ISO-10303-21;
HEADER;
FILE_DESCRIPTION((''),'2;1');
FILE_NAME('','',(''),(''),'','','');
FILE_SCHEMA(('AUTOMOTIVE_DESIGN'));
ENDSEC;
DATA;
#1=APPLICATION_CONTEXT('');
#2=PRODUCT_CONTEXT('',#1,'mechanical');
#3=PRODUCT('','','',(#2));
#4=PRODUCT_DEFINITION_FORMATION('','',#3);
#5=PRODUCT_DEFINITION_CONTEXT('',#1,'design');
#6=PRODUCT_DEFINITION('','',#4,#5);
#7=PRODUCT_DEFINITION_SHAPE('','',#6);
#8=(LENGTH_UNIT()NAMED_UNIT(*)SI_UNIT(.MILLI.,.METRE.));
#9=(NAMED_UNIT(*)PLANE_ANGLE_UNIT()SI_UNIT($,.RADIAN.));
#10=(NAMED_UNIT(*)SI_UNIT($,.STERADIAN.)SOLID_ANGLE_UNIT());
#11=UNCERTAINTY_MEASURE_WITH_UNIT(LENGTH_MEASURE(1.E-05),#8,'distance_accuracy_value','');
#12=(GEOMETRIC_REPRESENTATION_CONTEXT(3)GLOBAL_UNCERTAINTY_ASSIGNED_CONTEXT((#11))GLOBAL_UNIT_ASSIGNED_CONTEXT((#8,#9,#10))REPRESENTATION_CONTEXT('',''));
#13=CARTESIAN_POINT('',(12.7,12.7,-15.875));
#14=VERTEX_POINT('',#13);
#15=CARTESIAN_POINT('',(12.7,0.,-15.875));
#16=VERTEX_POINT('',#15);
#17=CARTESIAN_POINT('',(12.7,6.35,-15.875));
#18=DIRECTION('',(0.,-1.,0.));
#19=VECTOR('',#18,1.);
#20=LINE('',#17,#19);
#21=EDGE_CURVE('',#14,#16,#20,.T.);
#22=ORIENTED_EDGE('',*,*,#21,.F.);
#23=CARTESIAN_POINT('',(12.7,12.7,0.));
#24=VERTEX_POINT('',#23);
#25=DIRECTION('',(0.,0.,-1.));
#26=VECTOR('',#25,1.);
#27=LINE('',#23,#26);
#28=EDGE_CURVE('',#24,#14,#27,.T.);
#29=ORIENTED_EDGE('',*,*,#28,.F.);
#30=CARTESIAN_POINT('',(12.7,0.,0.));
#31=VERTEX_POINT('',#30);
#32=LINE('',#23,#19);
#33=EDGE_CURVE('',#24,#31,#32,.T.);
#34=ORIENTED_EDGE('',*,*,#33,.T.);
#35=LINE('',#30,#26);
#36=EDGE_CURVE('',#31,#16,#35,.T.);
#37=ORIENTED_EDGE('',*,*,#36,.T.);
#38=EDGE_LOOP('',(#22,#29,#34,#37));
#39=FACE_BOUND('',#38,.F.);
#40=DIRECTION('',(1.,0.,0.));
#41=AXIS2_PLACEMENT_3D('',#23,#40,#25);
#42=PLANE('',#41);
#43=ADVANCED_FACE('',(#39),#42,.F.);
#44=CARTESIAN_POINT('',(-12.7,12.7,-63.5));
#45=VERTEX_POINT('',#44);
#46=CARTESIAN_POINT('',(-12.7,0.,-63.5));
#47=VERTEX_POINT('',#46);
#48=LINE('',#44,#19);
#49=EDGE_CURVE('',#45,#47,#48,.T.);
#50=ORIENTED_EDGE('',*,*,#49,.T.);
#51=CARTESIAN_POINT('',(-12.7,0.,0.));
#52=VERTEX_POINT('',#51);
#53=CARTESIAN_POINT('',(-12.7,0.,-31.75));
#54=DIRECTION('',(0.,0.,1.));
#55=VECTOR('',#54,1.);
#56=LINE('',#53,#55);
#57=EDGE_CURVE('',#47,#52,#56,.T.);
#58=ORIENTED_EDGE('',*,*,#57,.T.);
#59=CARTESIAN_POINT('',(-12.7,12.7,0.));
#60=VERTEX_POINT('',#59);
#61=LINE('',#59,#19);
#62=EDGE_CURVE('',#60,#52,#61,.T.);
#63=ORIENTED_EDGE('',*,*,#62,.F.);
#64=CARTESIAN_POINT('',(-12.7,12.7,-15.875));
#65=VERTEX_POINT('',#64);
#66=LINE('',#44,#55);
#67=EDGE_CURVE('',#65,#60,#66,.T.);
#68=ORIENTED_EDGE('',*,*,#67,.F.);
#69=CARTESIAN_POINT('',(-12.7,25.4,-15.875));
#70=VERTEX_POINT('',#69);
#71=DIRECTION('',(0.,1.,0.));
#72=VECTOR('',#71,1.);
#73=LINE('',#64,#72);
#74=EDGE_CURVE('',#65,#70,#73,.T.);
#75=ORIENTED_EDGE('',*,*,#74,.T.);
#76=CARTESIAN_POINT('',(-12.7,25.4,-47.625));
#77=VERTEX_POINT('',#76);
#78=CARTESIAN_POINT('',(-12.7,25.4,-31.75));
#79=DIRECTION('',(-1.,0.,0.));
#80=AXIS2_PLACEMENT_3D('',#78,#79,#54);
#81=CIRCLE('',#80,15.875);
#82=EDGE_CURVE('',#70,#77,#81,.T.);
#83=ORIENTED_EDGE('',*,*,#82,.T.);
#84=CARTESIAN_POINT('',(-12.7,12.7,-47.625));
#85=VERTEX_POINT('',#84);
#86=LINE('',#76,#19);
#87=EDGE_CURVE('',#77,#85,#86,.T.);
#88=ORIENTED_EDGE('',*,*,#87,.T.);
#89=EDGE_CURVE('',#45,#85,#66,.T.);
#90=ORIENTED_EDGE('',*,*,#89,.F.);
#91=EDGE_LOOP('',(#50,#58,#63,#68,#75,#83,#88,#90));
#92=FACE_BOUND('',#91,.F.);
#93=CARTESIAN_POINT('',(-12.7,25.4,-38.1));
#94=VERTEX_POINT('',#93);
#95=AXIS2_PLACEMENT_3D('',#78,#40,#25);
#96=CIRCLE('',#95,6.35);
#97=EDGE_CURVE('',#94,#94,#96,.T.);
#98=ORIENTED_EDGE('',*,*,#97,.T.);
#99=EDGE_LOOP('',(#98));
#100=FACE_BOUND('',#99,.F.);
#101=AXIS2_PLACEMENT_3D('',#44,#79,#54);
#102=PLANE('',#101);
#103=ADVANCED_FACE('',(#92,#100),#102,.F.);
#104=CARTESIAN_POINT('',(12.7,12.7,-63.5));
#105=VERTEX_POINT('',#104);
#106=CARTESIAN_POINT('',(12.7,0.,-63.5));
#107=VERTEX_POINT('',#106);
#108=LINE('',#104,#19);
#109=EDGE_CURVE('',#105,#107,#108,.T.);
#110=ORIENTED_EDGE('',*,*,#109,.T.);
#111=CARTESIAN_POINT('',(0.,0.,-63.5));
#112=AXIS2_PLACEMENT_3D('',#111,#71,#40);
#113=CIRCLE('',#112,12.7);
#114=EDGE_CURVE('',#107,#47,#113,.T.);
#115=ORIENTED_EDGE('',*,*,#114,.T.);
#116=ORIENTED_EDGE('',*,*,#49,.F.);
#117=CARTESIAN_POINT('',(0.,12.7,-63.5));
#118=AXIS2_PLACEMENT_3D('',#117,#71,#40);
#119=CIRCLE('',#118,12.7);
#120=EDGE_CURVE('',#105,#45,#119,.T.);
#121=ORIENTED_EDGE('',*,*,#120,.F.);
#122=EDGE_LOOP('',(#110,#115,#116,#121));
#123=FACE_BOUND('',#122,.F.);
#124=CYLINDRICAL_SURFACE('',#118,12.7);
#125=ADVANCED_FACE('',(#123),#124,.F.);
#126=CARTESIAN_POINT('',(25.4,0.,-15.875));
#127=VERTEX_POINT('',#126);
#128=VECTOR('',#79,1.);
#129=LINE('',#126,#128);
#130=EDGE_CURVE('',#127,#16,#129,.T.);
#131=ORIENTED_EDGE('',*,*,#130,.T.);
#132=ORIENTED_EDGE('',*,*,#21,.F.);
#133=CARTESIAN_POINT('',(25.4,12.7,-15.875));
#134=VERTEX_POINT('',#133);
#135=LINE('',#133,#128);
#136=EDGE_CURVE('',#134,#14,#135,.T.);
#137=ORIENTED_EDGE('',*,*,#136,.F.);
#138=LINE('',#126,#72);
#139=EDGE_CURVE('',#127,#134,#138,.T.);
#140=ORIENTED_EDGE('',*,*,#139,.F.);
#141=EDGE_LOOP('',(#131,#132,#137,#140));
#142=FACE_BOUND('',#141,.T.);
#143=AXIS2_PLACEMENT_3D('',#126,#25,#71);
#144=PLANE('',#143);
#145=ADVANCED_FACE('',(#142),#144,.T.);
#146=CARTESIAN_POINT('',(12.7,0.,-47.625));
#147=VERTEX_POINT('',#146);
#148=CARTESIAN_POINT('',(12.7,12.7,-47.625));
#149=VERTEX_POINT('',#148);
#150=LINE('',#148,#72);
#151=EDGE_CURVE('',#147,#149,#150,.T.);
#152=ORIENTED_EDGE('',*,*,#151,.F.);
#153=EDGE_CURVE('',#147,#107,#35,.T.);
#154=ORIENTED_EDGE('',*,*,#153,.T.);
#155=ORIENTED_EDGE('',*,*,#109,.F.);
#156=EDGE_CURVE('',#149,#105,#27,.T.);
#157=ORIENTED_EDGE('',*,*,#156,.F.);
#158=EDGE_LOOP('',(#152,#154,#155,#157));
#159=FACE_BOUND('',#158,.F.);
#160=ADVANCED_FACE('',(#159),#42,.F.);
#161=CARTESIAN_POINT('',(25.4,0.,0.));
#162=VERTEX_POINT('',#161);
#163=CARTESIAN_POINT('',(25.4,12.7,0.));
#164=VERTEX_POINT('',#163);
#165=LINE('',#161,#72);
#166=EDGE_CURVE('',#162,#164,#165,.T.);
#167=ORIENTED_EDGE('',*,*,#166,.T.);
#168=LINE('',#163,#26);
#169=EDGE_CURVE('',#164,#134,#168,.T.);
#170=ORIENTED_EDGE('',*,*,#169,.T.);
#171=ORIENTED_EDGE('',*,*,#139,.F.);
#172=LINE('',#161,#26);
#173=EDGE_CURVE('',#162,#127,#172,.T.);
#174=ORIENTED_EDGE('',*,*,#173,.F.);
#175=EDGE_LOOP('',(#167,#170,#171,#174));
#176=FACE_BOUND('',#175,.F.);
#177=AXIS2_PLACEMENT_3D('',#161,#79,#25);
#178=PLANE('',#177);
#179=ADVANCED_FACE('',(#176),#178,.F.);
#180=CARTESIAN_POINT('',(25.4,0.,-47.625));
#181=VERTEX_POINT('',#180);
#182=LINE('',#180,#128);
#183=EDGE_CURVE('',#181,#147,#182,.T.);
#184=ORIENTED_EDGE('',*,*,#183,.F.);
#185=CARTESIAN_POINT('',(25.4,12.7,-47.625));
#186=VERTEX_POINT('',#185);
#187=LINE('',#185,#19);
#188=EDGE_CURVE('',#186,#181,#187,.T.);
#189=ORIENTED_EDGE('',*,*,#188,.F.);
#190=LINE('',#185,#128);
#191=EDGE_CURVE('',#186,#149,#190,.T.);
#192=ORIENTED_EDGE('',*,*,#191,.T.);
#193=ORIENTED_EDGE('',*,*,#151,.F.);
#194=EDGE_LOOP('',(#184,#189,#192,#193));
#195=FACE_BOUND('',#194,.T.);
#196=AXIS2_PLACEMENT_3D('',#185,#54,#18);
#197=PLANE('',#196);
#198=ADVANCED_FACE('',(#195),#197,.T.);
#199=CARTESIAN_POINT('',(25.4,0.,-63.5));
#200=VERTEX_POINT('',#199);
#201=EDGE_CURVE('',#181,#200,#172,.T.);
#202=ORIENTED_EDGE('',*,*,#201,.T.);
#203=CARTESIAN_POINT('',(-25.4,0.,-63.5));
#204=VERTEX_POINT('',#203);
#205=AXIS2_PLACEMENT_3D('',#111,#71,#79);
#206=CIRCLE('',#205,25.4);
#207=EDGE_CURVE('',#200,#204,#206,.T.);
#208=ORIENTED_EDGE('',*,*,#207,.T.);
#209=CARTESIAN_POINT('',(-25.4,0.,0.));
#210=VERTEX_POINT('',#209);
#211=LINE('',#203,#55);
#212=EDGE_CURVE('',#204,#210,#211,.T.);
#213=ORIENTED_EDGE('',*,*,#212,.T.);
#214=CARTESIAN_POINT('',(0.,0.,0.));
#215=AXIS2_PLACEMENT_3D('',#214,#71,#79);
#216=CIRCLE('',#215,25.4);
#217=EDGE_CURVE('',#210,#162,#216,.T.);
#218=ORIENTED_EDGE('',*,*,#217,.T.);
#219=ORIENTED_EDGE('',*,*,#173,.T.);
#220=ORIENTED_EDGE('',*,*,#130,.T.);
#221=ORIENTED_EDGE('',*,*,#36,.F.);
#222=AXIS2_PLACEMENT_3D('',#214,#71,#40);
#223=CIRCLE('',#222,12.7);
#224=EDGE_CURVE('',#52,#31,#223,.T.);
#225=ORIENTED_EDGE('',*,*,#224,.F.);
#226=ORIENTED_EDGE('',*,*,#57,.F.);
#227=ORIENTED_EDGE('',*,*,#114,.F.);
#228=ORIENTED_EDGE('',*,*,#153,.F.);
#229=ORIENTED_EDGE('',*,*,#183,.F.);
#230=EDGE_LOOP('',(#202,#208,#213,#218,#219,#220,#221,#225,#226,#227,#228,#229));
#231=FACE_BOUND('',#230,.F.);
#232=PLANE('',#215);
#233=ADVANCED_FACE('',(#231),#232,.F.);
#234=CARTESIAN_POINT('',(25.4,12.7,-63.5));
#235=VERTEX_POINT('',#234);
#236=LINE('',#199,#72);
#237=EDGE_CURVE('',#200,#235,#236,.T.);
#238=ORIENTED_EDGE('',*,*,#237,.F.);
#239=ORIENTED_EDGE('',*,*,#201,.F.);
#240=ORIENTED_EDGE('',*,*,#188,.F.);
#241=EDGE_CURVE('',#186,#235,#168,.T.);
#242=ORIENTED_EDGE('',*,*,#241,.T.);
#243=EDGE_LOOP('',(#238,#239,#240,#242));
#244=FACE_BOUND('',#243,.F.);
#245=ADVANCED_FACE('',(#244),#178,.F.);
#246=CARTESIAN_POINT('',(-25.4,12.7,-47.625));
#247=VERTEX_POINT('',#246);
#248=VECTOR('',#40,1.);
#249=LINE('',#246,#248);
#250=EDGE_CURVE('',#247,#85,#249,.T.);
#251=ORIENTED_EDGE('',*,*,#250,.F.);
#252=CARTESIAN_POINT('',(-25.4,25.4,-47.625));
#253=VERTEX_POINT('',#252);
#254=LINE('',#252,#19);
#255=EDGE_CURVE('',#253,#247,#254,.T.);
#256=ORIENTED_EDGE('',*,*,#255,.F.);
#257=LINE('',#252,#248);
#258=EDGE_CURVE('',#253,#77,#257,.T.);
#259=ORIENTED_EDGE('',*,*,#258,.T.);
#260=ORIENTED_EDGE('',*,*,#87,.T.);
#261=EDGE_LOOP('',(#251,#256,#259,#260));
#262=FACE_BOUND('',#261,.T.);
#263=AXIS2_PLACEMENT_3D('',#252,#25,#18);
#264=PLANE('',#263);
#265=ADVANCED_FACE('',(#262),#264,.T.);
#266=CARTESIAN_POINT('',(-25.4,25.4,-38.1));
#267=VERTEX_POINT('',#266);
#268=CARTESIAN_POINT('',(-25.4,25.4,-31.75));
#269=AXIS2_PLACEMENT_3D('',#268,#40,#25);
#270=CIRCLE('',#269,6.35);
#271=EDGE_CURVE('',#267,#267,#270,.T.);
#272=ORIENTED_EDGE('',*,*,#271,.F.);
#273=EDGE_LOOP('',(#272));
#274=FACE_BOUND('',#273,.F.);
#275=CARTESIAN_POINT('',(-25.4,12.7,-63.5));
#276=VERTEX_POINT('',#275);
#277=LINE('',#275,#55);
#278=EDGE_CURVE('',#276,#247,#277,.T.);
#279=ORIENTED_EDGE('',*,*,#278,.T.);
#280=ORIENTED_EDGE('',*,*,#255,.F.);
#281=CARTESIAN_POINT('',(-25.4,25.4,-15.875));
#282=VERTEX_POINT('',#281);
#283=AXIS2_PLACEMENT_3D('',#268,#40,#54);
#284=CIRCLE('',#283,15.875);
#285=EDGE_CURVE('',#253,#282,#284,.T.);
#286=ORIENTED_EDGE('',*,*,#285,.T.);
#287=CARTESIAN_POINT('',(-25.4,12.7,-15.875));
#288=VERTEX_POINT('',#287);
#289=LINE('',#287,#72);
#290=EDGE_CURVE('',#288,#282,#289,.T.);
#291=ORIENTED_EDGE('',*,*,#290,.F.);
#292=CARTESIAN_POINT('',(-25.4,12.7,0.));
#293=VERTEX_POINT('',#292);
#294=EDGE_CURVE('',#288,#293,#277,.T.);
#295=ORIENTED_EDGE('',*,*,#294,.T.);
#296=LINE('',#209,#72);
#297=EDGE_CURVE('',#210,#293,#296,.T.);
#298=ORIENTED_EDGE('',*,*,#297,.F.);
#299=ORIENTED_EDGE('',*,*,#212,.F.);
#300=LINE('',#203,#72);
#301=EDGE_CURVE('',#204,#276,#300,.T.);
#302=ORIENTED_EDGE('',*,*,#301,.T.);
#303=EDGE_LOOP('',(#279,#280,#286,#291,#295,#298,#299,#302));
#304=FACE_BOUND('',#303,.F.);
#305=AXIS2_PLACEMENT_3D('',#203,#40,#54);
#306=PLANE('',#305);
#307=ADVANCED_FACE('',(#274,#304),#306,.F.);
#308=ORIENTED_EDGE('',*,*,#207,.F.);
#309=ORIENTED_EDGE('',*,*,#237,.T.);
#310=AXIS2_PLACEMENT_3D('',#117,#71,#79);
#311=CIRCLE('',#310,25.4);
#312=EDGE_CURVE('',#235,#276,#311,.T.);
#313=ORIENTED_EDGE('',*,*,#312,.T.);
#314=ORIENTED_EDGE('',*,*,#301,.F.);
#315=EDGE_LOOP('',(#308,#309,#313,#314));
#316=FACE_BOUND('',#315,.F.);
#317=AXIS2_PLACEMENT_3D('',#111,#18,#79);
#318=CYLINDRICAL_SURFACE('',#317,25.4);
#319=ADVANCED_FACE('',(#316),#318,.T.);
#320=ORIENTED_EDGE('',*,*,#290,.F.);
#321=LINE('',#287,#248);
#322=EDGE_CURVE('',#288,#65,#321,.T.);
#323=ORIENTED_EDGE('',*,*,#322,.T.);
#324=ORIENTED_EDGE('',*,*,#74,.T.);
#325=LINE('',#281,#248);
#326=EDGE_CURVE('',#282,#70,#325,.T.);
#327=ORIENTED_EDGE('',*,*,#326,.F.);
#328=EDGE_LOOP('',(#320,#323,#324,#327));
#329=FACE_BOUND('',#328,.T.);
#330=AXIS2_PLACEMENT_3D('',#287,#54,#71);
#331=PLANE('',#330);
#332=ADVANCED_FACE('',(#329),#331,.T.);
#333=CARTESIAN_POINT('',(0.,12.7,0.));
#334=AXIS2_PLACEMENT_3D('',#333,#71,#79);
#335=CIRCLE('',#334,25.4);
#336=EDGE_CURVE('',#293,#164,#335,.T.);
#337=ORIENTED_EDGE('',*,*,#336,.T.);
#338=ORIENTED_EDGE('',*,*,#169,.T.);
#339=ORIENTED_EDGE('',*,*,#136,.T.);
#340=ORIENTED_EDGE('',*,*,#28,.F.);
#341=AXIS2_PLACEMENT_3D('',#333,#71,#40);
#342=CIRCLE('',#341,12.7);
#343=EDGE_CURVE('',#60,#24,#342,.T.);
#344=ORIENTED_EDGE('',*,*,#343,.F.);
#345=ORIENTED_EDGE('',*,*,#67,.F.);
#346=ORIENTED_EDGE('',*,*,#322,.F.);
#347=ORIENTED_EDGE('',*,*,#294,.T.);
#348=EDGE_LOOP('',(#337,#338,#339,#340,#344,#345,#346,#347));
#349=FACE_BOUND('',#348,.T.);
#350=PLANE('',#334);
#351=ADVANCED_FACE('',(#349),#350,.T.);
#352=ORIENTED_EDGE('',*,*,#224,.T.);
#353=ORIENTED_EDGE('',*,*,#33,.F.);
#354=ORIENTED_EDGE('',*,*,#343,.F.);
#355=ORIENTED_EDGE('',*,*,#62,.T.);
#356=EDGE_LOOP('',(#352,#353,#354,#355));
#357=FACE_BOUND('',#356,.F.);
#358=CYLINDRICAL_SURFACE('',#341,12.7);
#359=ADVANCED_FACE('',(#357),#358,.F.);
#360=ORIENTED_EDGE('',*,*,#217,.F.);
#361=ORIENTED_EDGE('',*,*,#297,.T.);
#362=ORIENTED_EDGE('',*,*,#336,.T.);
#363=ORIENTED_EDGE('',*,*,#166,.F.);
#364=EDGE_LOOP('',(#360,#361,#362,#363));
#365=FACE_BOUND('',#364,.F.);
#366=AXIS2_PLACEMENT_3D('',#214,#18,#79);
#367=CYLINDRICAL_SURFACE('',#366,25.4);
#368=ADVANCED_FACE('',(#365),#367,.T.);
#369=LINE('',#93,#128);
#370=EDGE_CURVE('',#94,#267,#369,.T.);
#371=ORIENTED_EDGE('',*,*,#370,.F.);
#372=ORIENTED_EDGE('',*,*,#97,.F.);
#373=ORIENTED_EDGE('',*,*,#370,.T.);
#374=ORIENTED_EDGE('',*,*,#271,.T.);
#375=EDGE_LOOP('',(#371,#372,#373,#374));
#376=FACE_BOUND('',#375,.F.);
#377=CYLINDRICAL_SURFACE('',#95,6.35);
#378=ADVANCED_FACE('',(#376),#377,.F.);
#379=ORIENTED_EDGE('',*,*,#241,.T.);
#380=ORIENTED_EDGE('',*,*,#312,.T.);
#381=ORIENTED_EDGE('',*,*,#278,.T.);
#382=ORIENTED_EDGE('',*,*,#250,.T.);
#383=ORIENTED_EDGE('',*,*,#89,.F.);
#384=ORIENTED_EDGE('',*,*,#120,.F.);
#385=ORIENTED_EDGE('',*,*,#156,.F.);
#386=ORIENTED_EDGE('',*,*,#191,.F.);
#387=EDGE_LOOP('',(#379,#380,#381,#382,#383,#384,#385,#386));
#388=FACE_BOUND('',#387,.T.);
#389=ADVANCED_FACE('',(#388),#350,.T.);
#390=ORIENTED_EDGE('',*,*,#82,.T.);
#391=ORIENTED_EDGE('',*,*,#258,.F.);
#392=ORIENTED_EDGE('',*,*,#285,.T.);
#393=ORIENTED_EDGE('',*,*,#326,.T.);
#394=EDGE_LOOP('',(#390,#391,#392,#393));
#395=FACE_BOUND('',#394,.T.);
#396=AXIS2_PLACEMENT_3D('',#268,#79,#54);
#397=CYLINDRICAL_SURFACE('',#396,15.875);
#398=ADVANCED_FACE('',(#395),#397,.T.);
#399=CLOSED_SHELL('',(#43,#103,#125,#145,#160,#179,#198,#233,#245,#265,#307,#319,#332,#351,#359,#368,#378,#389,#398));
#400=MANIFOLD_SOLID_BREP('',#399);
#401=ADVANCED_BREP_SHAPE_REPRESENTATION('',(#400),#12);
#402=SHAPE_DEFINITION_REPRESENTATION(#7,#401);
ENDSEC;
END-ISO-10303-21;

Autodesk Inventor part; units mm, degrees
ref_plane "YZ Plane" through (0, 0, 0) normal (1, 0, 0) x (0, 1, 0)
ref_plane "XZ Plane" through (0, 0, 0) normal (0, 1, 0) x (-1, 0, 0)
ref_plane "XY Plane" through (0, 0, 0) normal (0, 0, 1) x (1, 0, 0)
sketch "Sketch1" plane through (0, 0, 0) normal (0, 1, 0) x (-1, 0, 0)
  circle A0 centre (0, 0) radius 25.4
  circle A1 centre (0, -63.5) radius 25.4
  line L0 (25.4, 0) -> (-25.4, 0)
  line L1 (-25.4, 0) -> (-25.4, -63.5)
  line L2 (-25.4, -63.5) -> (25.4, -63.5)
  line L3 (25.4, -63.5) -> (25.4, 0)
  dimension "d0" = 50.8
  dimension "d1" = 50.8
  dimension "d2" = 63.5
extrude "Extrusion1" add sketch "Sketch1" along normal blind 12.7
sketch "Sketch2" plane through (0, 12.7, 0) normal (0, 1, 0) x (1, 0, 0)
  point P0 (0, 0)
sketch "Sketch3" plane through (0, 12.7, 0) normal (0, 1, 0) x (1, 0, 0)
  point P0 (0, 0)
sketch "Sketch4" plane through (0, 12.7, 0) normal (0, 1, 0) x (1, 0, 0)
  circle A0 centre (0, 0) radius 12.7
  arc A1 (-25.4, 0) -> (25.4, 0) centre (0, 0) ccw projected
  line L0 (0, 0) -> (0, 63.5)
  circle A2 centre (0, 63.5) radius 12.7
  arc A3 (25.4, 63.5) -> (-25.4, 63.5) centre (0, 63.5) ccw projected
  line L1 (-12.7, 0) -> (12.7, 0)
  line L2 (12.7, 0) -> (12.7, 63.5)
  line L3 (12.7, 63.5) -> (-12.7, 63.5)
  line L4 (-12.7, 63.5) -> (-12.7, 0)
  dimension "d5" = 12.7
  dimension "d6" = 63.5
  dimension "d7" = 12.7
extrude "Extrusion2" cut sketch "Sketch4" against normal through all
sketch "Sketch5" plane through (25.4, 0, 0) normal (1, 0, 0) x (0, 0, -1)
  line L0 (0, 0) -> (15.875, 0)
  line L1 (63.5, 0) -> (0, 0) projected
  line L2 (15.875, 0) -> (15.875, 12.7)
  line L3 (0, 12.7) -> (63.5, 12.7) projected
  line L4 (15.875, 12.7) -> (47.625, 12.7)
  line L5 (47.625, 12.7) -> (47.625, 0)
  dimension "d10" = 15.875
  dimension "d11" = 31.75
extrude "Extrusion3" cut sketch "Sketch5" against normal up to next
sketch "Sketch6" plane through (-25.4, 0, -63.5) normal (-1, 0, 0) x (0, 0, 1)
  line L0 (63.5, 12.7) -> (47.625, 12.7)
  line L1 (63.5, 12.7) -> (0, 12.7) projected
  line L2 (47.625, 12.7) -> (47.625, 25.4)
  line L3 (47.625, 25.4) -> (15.875, 25.4)
  line L4 (15.875, 25.4) -> (15.875, 12.7)
  point P0 (63.5, 0)
  dimension "d14" = 15.875
  dimension "d15" = 12.7
  dimension "d16" = 31.75
extrude "Extrusion4" add sketch "Sketch6" against normal blind 12.7
sketch "Sketch7" plane through (-25.4, 0, -63.5) normal (-1, 0, 0) x (0, 0, 1)
  line L0 (47.625, 25.4) -> (15.875, 25.4) projected
  circle A0 centre (31.75, 25.4) radius 15.875
  point P0 (63.5, 0)
extrude "Extrusion5" add sketch "Sketch7" against normal blind 12.7
sketch "Sketch8" plane through (-12.7, 0, 0) normal (1, 0, 0) x (0, 0, -1)
  circle A0 centre (31.75, 25.4) radius 6.35
  line L0 (63.5, 0) -> (0, 0) projected
  line L1 (47.625, 25.4) -> (47.625, 12.7)
  arc A1 (47.625, 25.4) -> (15.875, 25.4) centre (31.75, 25.4) ccw projected
  dimension "d21" = 12.7
  dimension "d22" = 25.4
  dimension "d23" = 15.875
extrude "Extrusion6" cut sketch "Sketch8" against normal through all
properties part number "3-2"
